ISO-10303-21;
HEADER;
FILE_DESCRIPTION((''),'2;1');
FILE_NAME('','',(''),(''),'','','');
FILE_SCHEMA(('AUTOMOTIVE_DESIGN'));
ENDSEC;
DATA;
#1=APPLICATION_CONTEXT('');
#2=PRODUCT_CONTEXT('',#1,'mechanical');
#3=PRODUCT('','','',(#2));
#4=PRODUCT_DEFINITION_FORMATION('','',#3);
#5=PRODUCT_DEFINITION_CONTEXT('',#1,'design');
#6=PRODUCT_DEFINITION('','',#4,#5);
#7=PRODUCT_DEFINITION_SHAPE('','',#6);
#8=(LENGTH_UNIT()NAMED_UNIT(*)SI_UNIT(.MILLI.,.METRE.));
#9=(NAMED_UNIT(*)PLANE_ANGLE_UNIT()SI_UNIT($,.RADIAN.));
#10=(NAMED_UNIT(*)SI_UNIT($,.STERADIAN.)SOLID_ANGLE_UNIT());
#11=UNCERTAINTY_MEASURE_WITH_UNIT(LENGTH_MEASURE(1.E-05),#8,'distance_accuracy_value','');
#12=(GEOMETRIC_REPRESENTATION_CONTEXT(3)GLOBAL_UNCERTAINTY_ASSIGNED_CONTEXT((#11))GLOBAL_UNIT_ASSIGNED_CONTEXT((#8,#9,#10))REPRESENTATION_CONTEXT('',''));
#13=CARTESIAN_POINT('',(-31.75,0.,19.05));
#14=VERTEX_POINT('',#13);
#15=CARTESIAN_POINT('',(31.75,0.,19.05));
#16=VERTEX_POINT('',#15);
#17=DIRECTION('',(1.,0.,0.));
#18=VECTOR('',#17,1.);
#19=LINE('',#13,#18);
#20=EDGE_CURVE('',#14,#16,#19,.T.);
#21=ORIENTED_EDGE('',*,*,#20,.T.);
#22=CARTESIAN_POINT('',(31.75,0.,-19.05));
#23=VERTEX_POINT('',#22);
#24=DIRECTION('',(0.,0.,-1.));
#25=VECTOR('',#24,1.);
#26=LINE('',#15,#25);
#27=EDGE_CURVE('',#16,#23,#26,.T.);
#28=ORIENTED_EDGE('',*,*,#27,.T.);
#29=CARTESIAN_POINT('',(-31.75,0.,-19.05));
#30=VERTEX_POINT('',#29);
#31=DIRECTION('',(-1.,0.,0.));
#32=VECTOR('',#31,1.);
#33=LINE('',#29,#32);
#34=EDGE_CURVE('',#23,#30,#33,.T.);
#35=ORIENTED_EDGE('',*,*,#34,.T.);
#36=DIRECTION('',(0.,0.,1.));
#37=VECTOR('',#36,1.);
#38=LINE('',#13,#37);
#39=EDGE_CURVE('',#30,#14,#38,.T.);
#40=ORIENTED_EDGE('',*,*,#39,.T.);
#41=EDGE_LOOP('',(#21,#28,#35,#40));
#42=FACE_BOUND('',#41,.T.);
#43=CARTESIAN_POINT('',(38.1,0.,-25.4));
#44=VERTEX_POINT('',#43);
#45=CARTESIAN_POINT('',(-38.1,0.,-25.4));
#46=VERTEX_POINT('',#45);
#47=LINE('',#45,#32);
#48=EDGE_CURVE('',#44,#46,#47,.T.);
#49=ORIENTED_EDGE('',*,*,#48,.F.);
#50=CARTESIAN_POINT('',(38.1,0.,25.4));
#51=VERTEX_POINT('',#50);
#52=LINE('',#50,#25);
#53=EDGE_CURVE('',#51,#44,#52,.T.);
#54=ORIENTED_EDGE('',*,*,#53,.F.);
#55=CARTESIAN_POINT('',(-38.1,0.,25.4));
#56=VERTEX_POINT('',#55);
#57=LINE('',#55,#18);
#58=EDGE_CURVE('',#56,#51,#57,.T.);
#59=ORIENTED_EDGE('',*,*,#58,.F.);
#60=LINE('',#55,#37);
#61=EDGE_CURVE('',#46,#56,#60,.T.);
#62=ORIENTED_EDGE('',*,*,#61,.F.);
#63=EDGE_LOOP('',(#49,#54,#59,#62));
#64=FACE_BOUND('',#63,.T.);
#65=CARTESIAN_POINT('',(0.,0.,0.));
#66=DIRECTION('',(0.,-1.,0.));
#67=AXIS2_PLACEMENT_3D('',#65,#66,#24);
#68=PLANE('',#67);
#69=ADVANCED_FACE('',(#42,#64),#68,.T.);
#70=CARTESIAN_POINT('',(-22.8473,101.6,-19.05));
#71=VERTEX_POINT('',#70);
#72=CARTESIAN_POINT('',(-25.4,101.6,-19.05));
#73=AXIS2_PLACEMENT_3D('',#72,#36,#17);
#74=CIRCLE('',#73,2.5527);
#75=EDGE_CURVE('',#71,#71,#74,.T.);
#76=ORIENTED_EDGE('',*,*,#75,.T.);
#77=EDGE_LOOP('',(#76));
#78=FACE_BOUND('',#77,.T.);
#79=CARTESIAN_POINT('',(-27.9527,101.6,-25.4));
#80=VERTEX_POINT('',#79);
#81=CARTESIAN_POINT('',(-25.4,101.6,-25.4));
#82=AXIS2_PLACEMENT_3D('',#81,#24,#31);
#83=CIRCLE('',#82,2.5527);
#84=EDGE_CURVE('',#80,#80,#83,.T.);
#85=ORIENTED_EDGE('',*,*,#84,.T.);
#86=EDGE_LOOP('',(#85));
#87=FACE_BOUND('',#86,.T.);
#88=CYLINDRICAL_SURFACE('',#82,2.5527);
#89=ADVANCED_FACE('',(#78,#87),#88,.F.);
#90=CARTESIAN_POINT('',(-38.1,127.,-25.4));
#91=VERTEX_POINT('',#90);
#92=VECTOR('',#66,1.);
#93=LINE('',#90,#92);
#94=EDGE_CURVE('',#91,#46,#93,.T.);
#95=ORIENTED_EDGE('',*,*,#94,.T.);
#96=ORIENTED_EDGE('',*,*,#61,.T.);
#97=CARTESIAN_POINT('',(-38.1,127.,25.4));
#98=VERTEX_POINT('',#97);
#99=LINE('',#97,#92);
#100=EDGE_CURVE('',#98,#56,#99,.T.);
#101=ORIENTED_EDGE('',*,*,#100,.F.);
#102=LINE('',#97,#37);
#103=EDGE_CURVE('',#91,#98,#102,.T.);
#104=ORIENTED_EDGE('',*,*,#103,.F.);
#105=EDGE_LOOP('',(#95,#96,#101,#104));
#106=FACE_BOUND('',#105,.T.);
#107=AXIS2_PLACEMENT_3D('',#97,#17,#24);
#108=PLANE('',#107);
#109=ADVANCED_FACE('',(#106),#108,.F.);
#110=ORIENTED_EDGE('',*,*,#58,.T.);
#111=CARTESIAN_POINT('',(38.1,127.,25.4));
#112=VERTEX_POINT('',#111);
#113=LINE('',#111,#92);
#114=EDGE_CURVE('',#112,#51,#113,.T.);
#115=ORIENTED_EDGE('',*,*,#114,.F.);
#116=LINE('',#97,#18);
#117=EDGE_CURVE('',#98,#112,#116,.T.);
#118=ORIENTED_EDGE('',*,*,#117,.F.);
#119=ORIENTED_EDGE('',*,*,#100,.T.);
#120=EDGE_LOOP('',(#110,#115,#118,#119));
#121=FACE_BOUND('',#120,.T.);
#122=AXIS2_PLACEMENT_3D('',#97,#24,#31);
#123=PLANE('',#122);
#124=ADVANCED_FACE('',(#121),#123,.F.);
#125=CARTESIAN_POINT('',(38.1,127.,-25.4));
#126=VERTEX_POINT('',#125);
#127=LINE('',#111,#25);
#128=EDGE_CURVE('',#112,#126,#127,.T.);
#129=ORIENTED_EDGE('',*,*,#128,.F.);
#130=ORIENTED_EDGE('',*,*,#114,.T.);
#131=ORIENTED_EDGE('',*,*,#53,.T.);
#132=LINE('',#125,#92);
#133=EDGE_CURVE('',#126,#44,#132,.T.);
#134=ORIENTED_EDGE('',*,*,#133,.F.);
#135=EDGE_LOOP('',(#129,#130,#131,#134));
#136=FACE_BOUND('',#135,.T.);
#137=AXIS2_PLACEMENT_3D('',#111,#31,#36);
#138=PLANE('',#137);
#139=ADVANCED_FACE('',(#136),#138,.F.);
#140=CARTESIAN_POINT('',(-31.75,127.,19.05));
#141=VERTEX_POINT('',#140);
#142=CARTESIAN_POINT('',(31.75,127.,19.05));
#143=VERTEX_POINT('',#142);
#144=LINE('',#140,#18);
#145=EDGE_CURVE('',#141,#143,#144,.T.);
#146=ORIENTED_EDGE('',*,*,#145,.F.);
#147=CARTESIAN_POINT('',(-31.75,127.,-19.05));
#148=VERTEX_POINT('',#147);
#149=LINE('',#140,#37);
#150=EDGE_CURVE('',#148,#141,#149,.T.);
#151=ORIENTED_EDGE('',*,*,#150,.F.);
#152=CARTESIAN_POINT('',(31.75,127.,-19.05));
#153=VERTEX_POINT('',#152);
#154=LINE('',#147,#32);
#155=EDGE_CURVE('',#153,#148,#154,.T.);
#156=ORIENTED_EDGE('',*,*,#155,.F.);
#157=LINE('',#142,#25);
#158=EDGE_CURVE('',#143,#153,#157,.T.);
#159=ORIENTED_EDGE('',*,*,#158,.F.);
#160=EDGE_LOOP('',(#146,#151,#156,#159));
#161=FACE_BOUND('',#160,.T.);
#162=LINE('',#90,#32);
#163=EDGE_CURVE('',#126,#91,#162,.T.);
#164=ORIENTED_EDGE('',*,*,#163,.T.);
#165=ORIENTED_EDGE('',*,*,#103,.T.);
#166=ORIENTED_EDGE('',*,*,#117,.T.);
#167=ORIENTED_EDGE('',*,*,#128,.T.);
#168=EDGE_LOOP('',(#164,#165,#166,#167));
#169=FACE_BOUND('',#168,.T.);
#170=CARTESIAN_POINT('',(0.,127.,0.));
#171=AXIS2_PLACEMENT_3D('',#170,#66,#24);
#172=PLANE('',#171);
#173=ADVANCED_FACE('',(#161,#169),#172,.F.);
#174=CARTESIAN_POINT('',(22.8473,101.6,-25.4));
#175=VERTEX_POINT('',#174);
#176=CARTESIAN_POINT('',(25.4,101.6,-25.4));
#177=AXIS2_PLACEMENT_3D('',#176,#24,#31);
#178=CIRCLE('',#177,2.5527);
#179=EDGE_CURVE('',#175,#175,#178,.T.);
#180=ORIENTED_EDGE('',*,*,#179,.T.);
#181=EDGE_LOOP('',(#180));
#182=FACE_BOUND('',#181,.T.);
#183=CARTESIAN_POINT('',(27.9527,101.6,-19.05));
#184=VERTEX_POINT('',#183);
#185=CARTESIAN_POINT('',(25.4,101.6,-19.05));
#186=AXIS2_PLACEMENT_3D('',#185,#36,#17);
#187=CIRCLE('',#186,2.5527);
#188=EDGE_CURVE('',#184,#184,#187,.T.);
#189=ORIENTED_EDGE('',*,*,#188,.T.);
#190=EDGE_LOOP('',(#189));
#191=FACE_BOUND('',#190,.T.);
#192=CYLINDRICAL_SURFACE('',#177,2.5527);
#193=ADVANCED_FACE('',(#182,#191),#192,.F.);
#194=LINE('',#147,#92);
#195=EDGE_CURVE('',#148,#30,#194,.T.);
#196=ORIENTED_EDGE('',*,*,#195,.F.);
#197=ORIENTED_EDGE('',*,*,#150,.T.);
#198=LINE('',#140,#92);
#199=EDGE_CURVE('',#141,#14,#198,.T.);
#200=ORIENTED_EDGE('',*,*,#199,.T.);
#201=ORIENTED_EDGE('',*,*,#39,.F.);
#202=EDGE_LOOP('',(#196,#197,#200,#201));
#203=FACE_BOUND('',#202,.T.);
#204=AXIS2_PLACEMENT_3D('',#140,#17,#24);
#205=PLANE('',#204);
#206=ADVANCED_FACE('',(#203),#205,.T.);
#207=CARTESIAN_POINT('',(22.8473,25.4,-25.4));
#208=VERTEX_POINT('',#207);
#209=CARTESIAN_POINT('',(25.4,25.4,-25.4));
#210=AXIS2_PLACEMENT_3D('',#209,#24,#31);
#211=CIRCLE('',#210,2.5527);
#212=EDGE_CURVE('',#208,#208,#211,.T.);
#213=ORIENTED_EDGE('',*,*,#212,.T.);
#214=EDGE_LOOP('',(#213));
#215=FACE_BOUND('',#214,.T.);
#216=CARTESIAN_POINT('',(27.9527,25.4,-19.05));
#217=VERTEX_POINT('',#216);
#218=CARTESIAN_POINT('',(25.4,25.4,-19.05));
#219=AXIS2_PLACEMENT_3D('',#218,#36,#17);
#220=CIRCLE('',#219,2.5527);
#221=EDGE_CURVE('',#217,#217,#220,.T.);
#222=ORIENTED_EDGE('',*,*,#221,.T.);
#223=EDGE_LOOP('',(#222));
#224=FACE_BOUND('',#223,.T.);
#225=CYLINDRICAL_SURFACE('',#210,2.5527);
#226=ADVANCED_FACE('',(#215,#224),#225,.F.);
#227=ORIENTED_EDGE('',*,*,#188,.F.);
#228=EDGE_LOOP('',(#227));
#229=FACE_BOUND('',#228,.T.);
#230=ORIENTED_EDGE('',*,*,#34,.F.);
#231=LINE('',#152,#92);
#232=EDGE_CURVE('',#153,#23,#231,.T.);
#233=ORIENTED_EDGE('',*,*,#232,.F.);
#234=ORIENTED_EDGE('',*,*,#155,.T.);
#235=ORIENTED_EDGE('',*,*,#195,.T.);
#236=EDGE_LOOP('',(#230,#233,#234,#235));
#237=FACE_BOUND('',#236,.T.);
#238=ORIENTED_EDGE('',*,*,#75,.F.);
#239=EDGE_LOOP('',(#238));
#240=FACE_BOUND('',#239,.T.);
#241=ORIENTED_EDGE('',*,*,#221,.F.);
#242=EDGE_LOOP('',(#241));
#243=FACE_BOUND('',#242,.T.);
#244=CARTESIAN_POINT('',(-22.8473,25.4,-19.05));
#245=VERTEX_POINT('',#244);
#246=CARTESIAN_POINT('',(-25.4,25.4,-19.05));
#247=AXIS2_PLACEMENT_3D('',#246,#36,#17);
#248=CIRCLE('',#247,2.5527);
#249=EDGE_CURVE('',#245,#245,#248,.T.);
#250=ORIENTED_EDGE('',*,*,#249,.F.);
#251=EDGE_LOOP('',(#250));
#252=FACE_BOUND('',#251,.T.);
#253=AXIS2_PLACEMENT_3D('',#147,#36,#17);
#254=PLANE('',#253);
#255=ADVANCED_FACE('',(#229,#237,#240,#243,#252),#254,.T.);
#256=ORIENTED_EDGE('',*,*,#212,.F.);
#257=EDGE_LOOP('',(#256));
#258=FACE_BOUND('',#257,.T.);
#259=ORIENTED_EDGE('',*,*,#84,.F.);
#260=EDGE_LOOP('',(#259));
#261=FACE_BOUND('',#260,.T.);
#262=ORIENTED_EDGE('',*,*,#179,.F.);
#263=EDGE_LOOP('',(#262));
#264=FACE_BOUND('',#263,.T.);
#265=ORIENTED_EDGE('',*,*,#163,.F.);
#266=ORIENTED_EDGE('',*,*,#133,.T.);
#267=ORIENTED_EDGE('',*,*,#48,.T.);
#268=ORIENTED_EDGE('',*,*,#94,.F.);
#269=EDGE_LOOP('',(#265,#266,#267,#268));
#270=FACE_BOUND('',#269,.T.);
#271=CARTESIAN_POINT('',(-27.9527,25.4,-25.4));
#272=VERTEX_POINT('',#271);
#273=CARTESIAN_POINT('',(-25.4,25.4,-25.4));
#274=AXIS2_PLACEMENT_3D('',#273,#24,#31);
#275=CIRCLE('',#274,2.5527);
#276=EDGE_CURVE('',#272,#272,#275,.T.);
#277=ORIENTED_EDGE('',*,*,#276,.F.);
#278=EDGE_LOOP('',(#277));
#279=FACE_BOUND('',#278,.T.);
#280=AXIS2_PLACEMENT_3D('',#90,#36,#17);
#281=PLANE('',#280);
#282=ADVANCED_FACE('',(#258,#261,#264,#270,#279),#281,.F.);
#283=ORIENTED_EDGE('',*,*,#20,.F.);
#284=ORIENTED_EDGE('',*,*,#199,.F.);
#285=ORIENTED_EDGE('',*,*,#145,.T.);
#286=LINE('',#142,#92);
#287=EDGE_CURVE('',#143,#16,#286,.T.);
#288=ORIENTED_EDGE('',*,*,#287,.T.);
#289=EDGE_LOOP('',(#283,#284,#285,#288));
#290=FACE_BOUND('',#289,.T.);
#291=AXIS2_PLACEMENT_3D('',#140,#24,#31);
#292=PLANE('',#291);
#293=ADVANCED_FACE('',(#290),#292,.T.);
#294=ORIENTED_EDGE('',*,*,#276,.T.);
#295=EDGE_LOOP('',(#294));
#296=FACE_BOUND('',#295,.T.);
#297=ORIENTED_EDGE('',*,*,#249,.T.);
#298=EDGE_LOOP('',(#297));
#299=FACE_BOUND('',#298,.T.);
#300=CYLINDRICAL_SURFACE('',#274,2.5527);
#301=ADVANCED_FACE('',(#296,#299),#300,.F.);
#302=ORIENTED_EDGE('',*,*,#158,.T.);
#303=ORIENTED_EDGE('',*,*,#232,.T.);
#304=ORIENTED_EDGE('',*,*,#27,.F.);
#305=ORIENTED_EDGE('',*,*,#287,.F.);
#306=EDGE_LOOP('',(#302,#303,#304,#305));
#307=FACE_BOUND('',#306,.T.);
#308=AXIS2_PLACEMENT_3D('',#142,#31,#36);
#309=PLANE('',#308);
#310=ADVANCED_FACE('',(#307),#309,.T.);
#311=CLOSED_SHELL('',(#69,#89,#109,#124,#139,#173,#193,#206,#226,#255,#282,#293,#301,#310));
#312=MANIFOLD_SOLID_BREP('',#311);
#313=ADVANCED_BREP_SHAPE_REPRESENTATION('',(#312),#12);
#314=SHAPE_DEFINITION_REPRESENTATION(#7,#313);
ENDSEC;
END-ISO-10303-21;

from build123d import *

# Parameters (mm, degrees)
SKETCH1_W                   = 76.2
SKETCH1_H                   = 50.8
SKETCH1_W_2                 = 63.5
SKETCH1_H_2                 = 38.1
BOSS_EXTRUDE1_DEPTH         = 127
F_1_4_20_TAPPED_HOLE1_D     = 5.1054
F_1_4_20_TAPPED_HOLE1_DEPTH = 6.35


with BuildPart() as part:
    # Sketch1 → Boss-Extrude1 (new body)
    with BuildSketch(Plane(origin=(0, 0, 0), x_dir=(1, 0, 0), z_dir=(0, 1, 0))):
        Rectangle(SKETCH1_W, SKETCH1_H)
        Rectangle(SKETCH1_W_2, SKETCH1_H_2, mode=Mode.SUBTRACT)
    extrude(amount=BOSS_EXTRUDE1_DEPTH)

    # 1/4-20 Tapped Hole1
    with Locations(Plane(origin=(0, 0, -25.4), x_dir=(-1, 0, 0), z_dir=(0, 0, -1))):
        with Locations((-25.4, 101.6), (-25.4, 25.4), (25.4, 25.4), (25.4, 101.6)):
            Hole(F_1_4_20_TAPPED_HOLE1_D / 2, depth=F_1_4_20_TAPPED_HOLE1_DEPTH)


solid = part.part
